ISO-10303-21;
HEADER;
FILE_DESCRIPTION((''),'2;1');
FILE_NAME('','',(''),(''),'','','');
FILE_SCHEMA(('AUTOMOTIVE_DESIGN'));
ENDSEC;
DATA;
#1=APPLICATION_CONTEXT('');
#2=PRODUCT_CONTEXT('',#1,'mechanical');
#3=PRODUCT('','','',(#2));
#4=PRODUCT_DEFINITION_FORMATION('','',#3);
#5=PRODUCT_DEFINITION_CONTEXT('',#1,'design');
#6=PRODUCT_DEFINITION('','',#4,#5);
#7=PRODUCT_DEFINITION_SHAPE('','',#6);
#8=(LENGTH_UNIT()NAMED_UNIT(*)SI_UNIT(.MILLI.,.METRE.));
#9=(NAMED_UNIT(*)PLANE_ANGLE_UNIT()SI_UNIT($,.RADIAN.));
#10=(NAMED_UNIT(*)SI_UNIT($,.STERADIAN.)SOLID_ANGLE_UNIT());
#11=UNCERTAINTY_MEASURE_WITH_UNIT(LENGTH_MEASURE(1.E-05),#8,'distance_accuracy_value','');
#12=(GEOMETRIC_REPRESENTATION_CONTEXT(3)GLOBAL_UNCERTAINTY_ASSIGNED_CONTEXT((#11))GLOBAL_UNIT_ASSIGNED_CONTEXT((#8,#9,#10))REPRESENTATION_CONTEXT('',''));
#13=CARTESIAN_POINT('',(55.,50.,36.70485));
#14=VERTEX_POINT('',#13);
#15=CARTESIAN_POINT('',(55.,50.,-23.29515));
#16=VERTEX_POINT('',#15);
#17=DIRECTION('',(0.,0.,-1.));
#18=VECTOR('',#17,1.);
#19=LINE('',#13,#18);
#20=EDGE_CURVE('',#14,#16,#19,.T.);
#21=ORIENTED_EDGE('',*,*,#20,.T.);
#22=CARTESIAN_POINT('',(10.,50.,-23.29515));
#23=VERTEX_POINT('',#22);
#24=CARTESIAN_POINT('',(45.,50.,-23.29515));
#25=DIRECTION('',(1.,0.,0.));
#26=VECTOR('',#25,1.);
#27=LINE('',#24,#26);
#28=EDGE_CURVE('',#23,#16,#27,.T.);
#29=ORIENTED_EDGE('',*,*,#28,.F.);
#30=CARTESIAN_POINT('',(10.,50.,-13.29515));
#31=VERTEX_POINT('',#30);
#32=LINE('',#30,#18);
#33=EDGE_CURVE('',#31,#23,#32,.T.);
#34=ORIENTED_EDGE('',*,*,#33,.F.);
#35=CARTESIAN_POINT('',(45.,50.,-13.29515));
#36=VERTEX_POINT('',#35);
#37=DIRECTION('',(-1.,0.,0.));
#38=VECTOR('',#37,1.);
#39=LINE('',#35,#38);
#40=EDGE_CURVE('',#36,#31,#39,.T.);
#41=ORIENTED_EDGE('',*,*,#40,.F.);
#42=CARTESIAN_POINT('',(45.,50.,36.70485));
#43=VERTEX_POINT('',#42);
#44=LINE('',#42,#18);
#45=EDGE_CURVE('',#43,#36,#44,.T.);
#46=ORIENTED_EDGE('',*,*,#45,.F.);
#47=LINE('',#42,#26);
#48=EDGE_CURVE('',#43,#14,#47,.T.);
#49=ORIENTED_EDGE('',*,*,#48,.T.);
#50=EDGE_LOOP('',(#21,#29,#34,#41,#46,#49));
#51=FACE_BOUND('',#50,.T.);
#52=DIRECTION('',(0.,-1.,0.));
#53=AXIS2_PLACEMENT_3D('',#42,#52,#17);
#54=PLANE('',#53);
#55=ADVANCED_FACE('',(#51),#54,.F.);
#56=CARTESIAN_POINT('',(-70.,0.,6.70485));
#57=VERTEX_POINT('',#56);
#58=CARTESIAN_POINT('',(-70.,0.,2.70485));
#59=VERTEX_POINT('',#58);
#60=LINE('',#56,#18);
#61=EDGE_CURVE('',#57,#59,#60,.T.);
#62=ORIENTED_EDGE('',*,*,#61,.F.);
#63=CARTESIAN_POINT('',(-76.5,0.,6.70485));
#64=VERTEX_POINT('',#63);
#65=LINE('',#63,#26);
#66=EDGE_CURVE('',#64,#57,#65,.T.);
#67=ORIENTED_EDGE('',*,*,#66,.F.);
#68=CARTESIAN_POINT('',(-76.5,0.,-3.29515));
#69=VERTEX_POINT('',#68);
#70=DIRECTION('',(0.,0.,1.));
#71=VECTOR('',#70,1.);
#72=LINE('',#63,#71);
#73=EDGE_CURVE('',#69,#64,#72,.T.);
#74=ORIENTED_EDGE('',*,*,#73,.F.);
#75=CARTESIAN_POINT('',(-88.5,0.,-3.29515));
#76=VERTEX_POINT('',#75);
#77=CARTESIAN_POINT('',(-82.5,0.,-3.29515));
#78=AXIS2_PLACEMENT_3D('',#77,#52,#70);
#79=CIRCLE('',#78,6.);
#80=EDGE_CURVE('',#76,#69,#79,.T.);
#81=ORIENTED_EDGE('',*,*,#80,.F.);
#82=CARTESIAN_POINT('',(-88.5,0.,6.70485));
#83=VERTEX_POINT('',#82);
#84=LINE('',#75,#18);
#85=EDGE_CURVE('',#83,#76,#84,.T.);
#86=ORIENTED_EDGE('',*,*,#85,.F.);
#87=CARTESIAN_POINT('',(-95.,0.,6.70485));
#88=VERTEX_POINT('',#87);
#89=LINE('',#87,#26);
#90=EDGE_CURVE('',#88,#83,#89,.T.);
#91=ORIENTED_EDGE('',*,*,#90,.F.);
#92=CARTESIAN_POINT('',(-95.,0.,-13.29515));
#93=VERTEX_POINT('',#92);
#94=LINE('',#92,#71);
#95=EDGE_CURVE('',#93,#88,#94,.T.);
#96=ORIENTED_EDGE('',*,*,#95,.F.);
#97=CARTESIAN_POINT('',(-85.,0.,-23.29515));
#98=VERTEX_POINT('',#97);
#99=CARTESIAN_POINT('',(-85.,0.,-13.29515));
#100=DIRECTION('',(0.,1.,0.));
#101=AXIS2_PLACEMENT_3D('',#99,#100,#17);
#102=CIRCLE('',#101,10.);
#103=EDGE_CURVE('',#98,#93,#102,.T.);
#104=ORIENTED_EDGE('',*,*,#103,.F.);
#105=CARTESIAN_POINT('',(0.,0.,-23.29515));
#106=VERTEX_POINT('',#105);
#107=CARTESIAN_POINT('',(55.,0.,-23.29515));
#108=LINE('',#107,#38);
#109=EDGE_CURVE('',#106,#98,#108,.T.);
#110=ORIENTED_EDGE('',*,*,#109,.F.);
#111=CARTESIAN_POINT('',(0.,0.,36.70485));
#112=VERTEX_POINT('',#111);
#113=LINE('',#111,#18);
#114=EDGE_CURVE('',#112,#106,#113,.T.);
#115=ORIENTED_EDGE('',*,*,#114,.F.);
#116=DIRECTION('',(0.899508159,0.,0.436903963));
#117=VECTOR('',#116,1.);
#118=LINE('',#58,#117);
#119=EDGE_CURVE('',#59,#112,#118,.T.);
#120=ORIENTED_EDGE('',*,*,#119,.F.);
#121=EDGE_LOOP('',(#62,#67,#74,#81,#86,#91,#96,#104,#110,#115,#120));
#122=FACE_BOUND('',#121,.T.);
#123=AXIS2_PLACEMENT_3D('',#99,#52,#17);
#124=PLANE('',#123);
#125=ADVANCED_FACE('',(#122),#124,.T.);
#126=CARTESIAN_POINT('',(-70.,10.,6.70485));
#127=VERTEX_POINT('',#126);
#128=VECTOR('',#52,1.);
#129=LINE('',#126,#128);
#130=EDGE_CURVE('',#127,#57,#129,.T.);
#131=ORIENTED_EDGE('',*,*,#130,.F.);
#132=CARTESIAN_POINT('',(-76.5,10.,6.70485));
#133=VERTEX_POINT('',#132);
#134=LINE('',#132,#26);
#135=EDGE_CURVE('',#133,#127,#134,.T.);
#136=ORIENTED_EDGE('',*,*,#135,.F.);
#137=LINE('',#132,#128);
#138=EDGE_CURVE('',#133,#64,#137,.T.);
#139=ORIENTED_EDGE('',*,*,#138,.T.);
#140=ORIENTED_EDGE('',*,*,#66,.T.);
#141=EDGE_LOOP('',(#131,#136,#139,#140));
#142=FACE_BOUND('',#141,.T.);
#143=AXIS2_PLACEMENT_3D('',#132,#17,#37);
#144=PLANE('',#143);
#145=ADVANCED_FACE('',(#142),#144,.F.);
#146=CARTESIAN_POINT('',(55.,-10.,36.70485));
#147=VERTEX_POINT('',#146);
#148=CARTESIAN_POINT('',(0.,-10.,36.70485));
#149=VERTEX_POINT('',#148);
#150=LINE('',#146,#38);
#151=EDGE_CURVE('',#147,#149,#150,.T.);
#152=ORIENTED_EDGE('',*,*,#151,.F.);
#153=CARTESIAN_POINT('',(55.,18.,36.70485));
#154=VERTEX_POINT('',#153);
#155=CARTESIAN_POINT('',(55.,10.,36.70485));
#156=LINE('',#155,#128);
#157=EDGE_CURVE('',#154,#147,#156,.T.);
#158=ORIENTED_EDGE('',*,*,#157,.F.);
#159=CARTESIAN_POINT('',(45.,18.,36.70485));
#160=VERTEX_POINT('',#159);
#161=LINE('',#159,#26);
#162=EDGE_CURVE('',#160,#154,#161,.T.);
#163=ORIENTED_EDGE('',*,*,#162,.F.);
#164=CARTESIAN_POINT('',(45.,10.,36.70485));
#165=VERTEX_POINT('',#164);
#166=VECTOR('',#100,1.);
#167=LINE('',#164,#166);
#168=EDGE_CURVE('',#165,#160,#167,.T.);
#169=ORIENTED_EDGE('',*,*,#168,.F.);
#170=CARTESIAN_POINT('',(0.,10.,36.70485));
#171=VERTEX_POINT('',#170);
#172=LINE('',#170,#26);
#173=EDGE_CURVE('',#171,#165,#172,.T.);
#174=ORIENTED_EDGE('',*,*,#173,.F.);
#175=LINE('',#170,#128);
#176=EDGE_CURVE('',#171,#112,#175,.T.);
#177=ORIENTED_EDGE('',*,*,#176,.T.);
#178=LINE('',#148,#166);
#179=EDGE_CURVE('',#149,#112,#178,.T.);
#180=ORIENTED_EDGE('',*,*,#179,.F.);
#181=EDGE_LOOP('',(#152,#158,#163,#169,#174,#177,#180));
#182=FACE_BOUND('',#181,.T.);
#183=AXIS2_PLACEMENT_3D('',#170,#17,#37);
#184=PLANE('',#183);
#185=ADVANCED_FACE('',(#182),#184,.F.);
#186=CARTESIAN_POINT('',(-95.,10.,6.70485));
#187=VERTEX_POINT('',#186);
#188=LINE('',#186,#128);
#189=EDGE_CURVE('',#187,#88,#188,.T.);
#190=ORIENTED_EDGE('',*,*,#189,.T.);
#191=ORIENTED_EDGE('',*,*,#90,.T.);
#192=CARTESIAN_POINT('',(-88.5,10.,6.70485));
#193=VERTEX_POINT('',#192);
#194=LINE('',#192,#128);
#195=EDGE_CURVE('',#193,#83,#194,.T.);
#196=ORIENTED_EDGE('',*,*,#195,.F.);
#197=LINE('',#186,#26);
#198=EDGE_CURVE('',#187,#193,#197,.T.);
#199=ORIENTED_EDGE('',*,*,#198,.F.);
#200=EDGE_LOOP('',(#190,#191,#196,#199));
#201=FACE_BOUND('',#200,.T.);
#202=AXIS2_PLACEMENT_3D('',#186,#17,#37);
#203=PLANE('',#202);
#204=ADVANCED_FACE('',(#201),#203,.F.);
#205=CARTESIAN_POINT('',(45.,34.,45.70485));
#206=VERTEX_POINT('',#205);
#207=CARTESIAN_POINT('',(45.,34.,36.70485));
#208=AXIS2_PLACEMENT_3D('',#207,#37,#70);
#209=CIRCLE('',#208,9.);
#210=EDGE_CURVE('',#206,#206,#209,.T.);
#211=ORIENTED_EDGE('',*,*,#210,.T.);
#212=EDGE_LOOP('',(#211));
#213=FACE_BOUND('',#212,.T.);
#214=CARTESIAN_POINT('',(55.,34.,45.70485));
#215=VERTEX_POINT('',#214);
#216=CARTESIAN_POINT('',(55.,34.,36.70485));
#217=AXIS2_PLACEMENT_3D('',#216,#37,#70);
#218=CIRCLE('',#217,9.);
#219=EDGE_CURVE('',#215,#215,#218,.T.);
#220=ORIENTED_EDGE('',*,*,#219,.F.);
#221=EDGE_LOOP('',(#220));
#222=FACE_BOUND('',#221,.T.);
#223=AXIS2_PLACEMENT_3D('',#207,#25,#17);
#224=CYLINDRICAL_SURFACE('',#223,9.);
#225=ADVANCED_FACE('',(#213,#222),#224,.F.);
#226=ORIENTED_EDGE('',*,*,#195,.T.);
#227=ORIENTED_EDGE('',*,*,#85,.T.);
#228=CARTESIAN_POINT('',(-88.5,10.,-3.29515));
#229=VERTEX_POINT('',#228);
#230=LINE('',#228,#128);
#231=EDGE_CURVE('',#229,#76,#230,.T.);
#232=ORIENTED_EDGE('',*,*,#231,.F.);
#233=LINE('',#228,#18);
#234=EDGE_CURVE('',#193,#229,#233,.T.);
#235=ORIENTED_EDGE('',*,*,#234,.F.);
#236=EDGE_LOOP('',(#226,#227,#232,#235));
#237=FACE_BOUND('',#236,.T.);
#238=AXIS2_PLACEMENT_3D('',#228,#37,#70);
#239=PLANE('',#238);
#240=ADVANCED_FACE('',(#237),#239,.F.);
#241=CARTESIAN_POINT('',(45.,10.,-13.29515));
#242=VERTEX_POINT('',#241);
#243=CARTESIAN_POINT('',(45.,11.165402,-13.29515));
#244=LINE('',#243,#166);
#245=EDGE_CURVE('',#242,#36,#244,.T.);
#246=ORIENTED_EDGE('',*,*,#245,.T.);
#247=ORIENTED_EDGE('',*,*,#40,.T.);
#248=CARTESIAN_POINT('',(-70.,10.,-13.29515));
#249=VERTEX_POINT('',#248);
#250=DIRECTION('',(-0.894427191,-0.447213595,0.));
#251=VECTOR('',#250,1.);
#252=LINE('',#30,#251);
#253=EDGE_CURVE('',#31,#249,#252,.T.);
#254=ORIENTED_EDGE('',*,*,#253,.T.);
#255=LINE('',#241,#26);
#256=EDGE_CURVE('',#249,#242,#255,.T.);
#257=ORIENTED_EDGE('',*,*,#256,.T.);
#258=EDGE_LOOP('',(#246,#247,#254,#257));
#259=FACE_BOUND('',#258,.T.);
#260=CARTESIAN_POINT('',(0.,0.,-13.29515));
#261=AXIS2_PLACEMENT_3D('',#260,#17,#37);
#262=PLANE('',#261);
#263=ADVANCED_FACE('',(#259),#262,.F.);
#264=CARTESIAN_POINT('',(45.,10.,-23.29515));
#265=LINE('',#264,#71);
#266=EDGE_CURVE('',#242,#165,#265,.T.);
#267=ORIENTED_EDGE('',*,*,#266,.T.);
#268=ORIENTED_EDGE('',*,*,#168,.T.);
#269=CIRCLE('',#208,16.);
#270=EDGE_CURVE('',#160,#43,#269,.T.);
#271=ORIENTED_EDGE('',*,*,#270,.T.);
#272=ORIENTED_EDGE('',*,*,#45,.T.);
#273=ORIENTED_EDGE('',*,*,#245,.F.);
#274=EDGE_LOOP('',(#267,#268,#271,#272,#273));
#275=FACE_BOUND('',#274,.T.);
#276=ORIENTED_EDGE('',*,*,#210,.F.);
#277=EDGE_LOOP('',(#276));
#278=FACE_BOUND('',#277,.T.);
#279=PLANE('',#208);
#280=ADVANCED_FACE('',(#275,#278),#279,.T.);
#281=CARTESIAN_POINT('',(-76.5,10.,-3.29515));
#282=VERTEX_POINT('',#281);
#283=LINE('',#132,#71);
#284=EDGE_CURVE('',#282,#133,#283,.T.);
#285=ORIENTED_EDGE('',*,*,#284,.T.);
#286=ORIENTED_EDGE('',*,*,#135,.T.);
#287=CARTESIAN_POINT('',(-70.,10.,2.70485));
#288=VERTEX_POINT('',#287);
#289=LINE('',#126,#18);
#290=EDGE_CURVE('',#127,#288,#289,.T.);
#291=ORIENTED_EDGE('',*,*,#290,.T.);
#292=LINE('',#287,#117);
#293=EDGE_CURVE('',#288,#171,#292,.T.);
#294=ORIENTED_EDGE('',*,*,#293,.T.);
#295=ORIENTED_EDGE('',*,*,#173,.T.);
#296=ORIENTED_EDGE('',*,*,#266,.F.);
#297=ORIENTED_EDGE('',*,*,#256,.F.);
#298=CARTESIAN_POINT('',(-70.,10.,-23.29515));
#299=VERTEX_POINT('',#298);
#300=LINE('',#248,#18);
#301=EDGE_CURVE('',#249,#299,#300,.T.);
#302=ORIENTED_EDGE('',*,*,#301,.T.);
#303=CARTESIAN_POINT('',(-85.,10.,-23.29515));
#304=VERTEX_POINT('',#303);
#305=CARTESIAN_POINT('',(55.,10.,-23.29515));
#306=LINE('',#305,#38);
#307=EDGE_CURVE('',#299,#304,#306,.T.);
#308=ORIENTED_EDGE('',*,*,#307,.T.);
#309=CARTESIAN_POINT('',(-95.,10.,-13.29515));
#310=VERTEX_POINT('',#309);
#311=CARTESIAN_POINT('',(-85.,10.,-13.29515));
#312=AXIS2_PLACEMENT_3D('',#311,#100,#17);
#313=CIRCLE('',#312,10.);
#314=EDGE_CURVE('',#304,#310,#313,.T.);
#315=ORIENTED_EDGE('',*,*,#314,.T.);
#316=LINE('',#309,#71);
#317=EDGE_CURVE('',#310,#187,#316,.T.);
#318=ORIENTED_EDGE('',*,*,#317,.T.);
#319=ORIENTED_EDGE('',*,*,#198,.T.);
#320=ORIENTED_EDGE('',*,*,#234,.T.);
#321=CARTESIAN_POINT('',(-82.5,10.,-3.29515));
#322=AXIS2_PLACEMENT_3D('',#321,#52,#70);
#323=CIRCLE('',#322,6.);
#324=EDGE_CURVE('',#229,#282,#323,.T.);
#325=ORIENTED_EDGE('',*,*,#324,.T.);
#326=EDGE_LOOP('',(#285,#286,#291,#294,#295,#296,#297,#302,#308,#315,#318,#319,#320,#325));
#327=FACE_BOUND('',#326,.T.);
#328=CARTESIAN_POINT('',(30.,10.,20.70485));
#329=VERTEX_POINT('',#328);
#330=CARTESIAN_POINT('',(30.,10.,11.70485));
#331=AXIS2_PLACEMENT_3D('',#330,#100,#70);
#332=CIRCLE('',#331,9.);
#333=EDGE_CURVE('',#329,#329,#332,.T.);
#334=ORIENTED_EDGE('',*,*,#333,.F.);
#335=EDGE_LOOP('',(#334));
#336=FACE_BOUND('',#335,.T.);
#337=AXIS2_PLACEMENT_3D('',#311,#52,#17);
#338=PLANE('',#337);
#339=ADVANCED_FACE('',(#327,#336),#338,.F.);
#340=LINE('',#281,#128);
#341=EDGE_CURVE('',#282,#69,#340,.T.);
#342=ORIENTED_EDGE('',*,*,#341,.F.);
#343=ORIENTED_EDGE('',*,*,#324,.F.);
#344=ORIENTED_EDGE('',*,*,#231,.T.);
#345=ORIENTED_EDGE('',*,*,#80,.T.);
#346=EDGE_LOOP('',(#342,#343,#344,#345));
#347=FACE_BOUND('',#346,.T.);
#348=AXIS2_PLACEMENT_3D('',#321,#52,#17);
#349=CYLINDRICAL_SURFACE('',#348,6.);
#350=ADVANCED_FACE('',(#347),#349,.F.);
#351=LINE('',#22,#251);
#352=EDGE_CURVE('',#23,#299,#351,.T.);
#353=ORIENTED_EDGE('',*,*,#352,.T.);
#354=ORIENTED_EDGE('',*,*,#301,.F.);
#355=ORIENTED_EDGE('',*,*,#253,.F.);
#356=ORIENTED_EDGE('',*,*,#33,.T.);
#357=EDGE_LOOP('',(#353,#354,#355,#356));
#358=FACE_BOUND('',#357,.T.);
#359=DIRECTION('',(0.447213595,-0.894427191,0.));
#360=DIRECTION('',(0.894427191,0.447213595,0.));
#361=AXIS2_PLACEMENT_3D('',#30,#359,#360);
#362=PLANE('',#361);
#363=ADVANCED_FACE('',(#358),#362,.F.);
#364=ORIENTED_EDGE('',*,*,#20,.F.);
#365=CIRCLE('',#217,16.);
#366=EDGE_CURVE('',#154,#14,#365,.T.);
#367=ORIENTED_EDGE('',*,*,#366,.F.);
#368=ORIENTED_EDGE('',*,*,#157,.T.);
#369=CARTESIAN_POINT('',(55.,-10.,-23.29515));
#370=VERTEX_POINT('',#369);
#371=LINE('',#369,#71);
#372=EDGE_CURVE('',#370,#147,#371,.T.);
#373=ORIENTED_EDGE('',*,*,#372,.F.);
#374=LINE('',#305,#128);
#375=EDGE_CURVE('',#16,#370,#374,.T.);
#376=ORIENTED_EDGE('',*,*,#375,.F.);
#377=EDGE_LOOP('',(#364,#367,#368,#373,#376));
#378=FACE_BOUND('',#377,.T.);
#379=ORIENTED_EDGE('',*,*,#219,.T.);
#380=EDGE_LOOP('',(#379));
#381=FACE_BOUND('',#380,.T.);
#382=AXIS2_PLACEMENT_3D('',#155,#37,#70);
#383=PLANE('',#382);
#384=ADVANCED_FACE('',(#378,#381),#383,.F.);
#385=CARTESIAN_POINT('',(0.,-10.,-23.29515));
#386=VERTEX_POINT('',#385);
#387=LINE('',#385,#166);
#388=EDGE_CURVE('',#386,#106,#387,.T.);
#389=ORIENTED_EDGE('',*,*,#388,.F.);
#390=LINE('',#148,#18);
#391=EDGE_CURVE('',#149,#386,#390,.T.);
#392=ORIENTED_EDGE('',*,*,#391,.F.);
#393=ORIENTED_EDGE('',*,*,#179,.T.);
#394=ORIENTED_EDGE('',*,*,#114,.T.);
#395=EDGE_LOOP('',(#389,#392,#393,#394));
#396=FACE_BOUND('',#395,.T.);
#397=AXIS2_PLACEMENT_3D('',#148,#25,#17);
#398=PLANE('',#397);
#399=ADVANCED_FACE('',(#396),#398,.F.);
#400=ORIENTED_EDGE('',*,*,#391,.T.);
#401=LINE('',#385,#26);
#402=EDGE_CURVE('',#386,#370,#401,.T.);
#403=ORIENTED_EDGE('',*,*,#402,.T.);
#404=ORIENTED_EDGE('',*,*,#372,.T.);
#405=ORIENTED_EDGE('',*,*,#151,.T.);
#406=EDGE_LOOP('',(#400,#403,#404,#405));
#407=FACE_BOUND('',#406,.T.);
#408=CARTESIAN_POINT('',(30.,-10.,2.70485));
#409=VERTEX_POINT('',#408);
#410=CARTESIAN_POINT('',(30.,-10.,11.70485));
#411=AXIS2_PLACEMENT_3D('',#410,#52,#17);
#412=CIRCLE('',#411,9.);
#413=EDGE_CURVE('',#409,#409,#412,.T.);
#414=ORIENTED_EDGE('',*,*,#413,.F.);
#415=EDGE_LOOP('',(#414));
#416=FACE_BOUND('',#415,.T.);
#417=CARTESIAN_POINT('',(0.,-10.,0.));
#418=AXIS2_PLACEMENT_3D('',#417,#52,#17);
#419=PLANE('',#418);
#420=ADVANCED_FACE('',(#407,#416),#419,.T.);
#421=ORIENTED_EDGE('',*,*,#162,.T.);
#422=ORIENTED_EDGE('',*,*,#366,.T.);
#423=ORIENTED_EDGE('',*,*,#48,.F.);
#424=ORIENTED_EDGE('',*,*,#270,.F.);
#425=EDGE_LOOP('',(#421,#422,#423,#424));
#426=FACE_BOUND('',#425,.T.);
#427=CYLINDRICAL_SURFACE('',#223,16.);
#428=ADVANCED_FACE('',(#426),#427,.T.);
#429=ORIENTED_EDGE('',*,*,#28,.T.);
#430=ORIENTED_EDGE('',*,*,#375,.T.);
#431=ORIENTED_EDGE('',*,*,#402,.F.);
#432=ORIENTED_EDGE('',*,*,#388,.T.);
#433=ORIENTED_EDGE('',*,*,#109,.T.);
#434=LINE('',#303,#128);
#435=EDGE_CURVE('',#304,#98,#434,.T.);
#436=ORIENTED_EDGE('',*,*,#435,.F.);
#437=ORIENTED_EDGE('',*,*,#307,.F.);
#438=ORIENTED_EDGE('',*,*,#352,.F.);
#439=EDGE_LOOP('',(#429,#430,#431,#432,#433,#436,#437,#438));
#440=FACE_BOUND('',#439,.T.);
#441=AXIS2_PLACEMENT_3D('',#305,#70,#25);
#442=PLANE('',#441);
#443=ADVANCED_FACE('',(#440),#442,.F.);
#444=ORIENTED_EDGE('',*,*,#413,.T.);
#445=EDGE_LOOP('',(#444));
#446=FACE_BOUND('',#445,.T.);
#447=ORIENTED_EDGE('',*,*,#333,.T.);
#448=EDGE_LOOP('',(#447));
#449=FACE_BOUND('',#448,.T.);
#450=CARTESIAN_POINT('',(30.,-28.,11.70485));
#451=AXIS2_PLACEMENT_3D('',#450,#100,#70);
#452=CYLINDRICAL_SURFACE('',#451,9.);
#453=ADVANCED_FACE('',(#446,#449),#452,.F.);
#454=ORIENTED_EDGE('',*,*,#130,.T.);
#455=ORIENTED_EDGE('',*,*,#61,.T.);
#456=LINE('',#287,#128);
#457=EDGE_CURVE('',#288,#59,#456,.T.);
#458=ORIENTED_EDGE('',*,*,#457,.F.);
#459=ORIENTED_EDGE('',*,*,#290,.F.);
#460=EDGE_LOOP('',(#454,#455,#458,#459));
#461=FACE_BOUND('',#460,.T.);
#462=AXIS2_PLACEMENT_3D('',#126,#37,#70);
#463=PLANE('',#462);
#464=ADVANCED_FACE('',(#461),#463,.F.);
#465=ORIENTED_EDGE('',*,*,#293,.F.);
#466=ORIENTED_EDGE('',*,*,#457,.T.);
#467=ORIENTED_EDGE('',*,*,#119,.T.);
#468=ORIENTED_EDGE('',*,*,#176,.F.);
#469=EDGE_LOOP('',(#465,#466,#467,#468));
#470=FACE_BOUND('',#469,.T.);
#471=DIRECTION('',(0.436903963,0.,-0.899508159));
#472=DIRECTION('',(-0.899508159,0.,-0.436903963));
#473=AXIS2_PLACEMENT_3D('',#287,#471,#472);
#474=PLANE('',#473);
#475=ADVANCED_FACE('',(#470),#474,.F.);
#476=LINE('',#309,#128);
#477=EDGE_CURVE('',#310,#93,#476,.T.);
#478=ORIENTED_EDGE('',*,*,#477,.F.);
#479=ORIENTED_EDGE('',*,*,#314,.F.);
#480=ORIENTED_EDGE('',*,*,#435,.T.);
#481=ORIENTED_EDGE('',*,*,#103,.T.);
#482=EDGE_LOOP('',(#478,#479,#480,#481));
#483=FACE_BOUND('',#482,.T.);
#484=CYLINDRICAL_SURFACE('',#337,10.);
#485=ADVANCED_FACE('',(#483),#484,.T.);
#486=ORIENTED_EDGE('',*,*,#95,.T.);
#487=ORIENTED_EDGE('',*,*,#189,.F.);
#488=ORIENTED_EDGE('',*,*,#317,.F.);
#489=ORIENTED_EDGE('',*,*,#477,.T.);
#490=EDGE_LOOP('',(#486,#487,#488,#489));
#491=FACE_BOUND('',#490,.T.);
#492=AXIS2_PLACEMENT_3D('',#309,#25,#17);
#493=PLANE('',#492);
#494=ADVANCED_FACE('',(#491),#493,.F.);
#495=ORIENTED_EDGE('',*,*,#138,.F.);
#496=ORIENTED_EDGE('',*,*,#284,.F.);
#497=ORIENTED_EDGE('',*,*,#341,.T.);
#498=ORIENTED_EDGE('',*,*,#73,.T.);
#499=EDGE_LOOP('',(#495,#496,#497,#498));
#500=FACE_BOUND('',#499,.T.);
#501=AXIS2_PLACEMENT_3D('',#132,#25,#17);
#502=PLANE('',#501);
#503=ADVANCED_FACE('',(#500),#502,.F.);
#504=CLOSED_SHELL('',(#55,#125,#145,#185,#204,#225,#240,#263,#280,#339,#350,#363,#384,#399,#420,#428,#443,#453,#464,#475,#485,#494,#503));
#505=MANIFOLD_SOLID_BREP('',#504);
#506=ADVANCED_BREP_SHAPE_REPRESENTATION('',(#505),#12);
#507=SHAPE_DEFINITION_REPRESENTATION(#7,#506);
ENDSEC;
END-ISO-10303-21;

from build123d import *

# Parameters (mm, degrees)
BOSS_EXTRUDE1_DEPTH = 10
SKETCH2_R           = 9
BOSS_EXTRUDE2_DEPTH = 10
BOSS_EXTRUDE3_DEPTH = 10
SKETCH4_W           = 55
SKETCH4_H           = 60
BOSS_EXTRUDE4_DEPTH = 10
SKETCH5_R           = 9
CUT_EXTRUDE1_DEPTH  = 38


with BuildPart() as part:
    # Sketch1 → Boss-Extrude1 (new body)
    with BuildSketch(Plane(origin=(0, 0, 0), x_dir=(1, 0, 0), z_dir=(0, 1, 0))):
        with BuildLine():
            Line((0, -36.704850043), (55, -36.704850043))
            Line((55, -36.704850043), (55, 23.295149957))
            Line((55, 23.295149957), (-85, 23.295149957))
            ThreePointArc((-85, 23.295149957), (-92.071067812, 20.366217769), (-95, 13.295149957))
            Line((-95, 13.295149957), (-95, -6.704850043))
            Line((-95, -6.704850043), (-88.5, -6.704850043))
            Line((-88.5, -6.704850043), (-88.5, 3.295149957))
            ThreePointArc((-88.5, 3.295149957), (-82.5, 9.295149957), (-76.5, 3.295149957))
            Line((-76.5, 3.295149957), (-76.5, -6.704850043))
            Line((-76.5, -6.704850043), (-70, -6.704850043))
            Line((-70, -6.704850043), (-70, -2.704850043))
            Line((-70, -2.704850043), (0, -36.704850043))
        make_face()
    extrude(amount=BOSS_EXTRUDE1_DEPTH)

    # Sketch2 → Boss-Extrude2 (add)
    with BuildSketch(Plane.ZY.offset(-55)):
        with BuildLine():
            Line((-23.295149957, 10), (36.704850043, 10))
            Line((36.704850043, 10), (36.704850043, 18))
            ThreePointArc((36.704850043, 18), (52.704850043, 34), (36.704850043, 50))
            Line((36.704850043, 50), (-23.295149957, 50))
            Line((-23.295149957, 50), (-23.295149957, 10))
        make_face()
        with Locations((36.704850043, 34)):
            Circle(SKETCH2_R, mode=Mode.SUBTRACT)
    extrude(amount=BOSS_EXTRUDE2_DEPTH)

    # Sketch3 → Boss-Extrude3 (add)
    with BuildSketch(Plane.XY.offset(-23.295149957)):
        Polygon((45, 10), (-70, 10), (10, 50), (45, 50), (45, 11.165402215), align=None)
    extrude(amount=BOSS_EXTRUDE3_DEPTH)

    # Sketch4 → Boss-Extrude4 (add)
    with BuildSketch(Plane(origin=(0, 0, 0), x_dir=(-1, 0, 0), z_dir=(0, -1, 0))):
        with Locations((-27.5, -6.704850043)):
            Rectangle(SKETCH4_W, SKETCH4_H)
    extrude(amount=BOSS_EXTRUDE4_DEPTH)

    # Sketch5 → Cut-Extrude1 (cut)
    with BuildSketch(Plane(origin=(0, 10, 0), x_dir=(1, 0, 0), z_dir=(0, 1, 0))):
        with Locations(Location((30, -11.704850043, 0), (0, 0, 270))):
            Circle(SKETCH5_R)
    extrude(amount=-CUT_EXTRUDE1_DEPTH, mode=Mode.SUBTRACT)


solid = part.part
